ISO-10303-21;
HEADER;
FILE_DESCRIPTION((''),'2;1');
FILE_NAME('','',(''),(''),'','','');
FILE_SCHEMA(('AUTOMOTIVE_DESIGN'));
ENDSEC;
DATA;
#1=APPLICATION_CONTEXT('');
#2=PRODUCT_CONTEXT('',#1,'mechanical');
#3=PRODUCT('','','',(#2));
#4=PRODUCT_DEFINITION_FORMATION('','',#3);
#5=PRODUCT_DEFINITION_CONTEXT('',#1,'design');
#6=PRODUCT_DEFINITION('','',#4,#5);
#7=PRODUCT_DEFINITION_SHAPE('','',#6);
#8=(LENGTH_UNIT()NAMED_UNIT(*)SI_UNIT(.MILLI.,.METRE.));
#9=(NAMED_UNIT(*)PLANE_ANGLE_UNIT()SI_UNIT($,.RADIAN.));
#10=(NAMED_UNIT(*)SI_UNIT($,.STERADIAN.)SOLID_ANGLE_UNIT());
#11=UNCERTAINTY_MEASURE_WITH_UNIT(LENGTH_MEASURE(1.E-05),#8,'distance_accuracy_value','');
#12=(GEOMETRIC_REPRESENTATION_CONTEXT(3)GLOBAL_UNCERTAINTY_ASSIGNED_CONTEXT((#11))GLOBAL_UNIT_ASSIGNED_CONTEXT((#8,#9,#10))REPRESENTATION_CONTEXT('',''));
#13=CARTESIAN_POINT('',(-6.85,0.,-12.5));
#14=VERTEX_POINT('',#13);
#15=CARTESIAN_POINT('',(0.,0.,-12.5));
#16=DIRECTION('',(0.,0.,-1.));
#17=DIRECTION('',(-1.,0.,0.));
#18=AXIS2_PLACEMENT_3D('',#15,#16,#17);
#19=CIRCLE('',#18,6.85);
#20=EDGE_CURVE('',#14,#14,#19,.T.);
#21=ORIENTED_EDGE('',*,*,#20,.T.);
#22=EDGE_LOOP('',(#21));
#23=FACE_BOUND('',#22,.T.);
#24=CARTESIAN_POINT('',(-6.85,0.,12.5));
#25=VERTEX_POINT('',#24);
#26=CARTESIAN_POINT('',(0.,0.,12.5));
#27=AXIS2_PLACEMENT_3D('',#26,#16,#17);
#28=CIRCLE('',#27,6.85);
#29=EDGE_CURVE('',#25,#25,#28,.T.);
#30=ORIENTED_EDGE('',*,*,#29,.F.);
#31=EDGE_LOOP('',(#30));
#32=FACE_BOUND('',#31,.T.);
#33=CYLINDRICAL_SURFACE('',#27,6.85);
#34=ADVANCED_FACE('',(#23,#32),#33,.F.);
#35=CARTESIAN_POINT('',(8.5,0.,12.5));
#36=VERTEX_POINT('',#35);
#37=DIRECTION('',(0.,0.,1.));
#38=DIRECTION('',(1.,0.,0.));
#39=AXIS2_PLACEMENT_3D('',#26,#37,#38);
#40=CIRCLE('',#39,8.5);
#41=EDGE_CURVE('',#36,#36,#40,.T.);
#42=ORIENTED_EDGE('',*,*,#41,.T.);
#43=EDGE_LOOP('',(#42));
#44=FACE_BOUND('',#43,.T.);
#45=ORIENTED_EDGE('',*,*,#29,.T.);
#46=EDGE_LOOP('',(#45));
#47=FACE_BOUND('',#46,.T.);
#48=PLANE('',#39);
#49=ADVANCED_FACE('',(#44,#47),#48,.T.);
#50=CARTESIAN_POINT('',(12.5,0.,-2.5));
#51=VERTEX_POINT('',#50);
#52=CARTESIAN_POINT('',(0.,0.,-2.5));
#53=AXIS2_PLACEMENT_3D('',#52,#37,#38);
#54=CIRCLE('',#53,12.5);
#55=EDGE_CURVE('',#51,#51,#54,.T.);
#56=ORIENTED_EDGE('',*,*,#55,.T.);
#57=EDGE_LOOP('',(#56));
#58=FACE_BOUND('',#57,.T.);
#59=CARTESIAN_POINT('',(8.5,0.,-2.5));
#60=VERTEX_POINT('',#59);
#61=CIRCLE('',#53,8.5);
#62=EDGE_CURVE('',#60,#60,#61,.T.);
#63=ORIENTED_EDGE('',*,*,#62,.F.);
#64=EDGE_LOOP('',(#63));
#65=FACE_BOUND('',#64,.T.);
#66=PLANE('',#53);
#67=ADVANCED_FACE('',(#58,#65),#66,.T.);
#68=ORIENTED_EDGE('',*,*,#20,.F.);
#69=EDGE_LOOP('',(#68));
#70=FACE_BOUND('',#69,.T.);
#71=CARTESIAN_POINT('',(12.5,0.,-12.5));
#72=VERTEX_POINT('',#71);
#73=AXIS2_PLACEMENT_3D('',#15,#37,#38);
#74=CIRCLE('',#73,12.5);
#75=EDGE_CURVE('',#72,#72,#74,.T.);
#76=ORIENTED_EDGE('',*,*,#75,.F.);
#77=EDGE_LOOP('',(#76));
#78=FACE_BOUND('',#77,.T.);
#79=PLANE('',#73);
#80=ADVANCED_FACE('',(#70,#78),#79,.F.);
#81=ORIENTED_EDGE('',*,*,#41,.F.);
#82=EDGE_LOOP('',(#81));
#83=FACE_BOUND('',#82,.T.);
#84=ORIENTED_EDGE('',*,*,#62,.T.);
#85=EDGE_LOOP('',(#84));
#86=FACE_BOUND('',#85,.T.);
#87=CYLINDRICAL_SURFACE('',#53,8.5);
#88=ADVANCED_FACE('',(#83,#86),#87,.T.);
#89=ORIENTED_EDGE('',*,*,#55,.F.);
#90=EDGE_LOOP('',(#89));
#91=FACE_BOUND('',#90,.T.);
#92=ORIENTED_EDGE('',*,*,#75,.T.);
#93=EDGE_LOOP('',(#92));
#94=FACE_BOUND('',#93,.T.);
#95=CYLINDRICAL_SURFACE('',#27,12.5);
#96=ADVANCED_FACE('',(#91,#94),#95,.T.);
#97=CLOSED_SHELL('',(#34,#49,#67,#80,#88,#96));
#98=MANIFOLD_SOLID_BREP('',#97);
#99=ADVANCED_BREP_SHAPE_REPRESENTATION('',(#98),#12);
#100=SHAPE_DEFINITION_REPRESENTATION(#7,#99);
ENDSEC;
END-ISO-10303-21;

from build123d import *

# Parameters (mm, degrees)
SKETCH1_R           = 12.5
BOSS_EXTRUDE1_DEPTH = 12.5
SKETCH2_R           = 6.85
CUT_EXTRUDE1_DEPTH  = 25
SKETCH3_OUTSIDE_W   = 35.66
SKETCH3_OUTSIDE_H   = 35.66
SKETCH3_OUTSIDE_R   = 8.5
CUT_EXTRUDE2_DEPTH  = 15


with BuildPart() as part:
    # Sketch1 → Boss-Extrude1 (new, symmetric)
    with BuildSketch(Plane.XY):
        Circle(SKETCH1_R)
    extrude(amount=BOSS_EXTRUDE1_DEPTH, both=True)

    # Sketch2 → Cut-Extrude1 (cut)
    with BuildSketch(Plane(origin=(0, 0, -12.5), x_dir=(-1, 0, 0), z_dir=(0, 0, -1))):
        Circle(SKETCH2_R)
    extrude(amount=-CUT_EXTRUDE1_DEPTH, mode=Mode.SUBTRACT)

    # Sketch3 outside → Cut-Extrude2 (cut)
    with BuildSketch(Plane.XY.offset(12.5)):
        Rectangle(SKETCH3_OUTSIDE_W, SKETCH3_OUTSIDE_H)
        Circle(SKETCH3_OUTSIDE_R, mode=Mode.SUBTRACT)
    extrude(amount=-CUT_EXTRUDE2_DEPTH, mode=Mode.SUBTRACT)


solid = part.part
